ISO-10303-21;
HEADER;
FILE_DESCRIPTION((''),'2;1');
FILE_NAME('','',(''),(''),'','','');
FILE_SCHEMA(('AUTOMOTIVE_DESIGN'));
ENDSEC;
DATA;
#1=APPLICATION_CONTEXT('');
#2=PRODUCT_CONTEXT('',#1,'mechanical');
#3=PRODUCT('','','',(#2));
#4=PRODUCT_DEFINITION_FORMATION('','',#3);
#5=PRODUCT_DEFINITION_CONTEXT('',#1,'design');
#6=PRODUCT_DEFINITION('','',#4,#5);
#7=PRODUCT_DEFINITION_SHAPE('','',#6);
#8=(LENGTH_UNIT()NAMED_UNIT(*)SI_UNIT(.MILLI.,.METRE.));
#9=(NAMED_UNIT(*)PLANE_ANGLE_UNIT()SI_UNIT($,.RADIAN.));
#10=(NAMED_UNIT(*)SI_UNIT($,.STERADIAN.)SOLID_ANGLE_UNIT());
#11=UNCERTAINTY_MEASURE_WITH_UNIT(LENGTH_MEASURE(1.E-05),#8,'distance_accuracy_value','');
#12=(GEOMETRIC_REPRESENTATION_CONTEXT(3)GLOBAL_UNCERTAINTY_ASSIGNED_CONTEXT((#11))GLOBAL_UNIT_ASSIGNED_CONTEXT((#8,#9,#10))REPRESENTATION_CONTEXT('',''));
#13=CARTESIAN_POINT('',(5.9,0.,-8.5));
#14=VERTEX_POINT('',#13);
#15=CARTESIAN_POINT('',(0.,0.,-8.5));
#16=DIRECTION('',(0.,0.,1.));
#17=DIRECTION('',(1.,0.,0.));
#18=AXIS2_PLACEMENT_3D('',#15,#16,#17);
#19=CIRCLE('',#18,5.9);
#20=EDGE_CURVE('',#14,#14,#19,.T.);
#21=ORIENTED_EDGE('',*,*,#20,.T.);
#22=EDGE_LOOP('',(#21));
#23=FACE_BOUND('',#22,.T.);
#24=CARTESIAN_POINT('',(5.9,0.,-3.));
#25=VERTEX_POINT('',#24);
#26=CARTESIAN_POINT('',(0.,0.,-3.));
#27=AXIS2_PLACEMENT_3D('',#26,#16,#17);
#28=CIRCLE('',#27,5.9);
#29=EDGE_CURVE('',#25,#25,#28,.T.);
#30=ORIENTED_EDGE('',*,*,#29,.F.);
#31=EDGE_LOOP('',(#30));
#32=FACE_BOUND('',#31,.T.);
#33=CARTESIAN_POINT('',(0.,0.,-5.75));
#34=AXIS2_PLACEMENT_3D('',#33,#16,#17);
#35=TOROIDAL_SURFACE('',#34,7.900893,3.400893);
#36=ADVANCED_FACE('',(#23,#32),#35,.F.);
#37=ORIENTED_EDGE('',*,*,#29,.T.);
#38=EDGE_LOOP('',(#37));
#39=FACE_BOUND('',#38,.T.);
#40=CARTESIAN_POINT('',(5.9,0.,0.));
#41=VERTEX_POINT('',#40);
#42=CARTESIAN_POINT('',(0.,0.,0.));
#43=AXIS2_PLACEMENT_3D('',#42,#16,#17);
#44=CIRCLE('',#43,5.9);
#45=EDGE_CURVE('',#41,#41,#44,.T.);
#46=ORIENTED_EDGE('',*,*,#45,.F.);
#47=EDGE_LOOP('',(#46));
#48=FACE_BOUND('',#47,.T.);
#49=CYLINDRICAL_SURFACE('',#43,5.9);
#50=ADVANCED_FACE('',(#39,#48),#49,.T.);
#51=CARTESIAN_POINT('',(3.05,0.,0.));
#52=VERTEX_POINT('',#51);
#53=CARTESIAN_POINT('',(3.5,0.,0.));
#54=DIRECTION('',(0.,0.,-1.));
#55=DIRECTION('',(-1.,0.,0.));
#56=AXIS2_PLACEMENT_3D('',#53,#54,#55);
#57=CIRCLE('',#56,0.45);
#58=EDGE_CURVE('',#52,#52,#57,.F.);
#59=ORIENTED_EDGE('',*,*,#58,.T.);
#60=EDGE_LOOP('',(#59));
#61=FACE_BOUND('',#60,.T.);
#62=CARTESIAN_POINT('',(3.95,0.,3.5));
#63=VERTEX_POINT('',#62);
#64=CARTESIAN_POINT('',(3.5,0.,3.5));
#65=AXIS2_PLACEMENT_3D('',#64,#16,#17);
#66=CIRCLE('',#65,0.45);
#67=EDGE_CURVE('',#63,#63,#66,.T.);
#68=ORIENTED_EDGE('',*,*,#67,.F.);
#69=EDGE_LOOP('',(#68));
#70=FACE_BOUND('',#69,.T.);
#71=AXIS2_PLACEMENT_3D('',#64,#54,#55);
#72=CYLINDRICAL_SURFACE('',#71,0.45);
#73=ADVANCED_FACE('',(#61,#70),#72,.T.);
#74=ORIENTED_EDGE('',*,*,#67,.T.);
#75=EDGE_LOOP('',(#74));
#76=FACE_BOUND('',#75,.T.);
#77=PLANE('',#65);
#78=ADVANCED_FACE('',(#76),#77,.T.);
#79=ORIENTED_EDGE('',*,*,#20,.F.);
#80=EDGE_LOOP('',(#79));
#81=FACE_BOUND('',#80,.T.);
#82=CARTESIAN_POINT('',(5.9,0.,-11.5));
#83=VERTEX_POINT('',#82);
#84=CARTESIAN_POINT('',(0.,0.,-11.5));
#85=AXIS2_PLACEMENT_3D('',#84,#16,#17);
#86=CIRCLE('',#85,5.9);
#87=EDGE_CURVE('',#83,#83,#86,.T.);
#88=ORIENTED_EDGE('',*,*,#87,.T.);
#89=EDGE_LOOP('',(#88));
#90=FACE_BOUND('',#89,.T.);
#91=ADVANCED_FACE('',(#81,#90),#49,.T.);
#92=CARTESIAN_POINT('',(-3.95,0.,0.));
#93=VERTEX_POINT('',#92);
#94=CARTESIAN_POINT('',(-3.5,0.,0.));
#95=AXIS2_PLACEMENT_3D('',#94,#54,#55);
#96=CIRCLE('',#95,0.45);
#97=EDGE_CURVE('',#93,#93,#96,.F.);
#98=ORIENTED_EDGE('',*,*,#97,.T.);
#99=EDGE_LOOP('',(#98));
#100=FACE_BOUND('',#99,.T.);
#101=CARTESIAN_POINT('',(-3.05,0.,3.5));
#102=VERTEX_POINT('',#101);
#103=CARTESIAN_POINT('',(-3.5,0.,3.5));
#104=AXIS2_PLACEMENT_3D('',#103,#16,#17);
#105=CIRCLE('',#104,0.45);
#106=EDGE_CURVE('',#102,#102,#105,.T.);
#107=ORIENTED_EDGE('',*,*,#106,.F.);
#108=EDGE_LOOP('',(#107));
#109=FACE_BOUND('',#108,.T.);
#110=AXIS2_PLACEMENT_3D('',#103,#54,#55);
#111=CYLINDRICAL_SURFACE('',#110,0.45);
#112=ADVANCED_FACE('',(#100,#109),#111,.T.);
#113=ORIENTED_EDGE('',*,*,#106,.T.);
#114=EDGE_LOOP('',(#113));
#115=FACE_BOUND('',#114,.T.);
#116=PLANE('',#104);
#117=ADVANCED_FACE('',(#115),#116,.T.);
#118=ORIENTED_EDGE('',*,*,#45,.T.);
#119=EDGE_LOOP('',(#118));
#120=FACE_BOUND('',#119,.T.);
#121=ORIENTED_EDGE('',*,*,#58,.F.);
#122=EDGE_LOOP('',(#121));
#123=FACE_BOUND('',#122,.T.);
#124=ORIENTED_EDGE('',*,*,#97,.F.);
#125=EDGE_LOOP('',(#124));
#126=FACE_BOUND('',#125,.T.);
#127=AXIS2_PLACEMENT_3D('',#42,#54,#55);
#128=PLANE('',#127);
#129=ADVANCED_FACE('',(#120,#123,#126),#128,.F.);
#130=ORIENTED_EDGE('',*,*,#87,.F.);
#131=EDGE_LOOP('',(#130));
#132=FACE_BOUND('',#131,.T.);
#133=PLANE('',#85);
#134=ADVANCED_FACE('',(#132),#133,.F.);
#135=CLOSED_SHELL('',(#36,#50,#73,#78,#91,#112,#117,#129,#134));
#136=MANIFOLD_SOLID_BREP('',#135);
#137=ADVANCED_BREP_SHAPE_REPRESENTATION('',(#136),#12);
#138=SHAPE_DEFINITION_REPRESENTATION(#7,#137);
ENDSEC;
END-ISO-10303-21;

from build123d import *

# Parameters (mm, degrees)
SKETCH_2_R      = 0.45
EXTRUDE_1_DEPTH = 3.5


with BuildPart() as part:
    # Эскиз1 → Повернуть1 (revolve)
    with BuildSketch(Plane(origin=(0, 0, 0), x_dir=(1, 0, 0), z_dir=(0, 1, 0)), mode=Mode.PRIVATE) as revolve_1_sk:
        with BuildLine():
            Line((0, 0), (0, 11.5))
            Line((0, 11.5), (-5.9, 11.5))
            Line((-5.9, 11.5), (-5.9, 8.5))
            ThreePointArc((-5.9, 8.5), (-4.5, 5.75), (-5.9, 3))
            Line((-5.9, 3), (-5.9, 0))
            Line((-5.9, 0), (0, 0))
        make_face()
    revolve(revolve_1_sk.sketch.rotate(Axis((0, 0, 0), (0, 0, -1)), 180), axis=Axis((0, 0, 0), (0, 0, -1)))

    # Эскиз2 → Бобышка-Вытянуть1 (add)
    with BuildSketch(Plane.XY):
        with Locations(Location((-3.5, 0, 0), (0, 0, 180))):
            Circle(SKETCH_2_R)
        with Locations(Location((3.5, 0, 0), (0, 0, 180))):
            Circle(SKETCH_2_R)
    extrude(amount=EXTRUDE_1_DEPTH)


solid = part.part
